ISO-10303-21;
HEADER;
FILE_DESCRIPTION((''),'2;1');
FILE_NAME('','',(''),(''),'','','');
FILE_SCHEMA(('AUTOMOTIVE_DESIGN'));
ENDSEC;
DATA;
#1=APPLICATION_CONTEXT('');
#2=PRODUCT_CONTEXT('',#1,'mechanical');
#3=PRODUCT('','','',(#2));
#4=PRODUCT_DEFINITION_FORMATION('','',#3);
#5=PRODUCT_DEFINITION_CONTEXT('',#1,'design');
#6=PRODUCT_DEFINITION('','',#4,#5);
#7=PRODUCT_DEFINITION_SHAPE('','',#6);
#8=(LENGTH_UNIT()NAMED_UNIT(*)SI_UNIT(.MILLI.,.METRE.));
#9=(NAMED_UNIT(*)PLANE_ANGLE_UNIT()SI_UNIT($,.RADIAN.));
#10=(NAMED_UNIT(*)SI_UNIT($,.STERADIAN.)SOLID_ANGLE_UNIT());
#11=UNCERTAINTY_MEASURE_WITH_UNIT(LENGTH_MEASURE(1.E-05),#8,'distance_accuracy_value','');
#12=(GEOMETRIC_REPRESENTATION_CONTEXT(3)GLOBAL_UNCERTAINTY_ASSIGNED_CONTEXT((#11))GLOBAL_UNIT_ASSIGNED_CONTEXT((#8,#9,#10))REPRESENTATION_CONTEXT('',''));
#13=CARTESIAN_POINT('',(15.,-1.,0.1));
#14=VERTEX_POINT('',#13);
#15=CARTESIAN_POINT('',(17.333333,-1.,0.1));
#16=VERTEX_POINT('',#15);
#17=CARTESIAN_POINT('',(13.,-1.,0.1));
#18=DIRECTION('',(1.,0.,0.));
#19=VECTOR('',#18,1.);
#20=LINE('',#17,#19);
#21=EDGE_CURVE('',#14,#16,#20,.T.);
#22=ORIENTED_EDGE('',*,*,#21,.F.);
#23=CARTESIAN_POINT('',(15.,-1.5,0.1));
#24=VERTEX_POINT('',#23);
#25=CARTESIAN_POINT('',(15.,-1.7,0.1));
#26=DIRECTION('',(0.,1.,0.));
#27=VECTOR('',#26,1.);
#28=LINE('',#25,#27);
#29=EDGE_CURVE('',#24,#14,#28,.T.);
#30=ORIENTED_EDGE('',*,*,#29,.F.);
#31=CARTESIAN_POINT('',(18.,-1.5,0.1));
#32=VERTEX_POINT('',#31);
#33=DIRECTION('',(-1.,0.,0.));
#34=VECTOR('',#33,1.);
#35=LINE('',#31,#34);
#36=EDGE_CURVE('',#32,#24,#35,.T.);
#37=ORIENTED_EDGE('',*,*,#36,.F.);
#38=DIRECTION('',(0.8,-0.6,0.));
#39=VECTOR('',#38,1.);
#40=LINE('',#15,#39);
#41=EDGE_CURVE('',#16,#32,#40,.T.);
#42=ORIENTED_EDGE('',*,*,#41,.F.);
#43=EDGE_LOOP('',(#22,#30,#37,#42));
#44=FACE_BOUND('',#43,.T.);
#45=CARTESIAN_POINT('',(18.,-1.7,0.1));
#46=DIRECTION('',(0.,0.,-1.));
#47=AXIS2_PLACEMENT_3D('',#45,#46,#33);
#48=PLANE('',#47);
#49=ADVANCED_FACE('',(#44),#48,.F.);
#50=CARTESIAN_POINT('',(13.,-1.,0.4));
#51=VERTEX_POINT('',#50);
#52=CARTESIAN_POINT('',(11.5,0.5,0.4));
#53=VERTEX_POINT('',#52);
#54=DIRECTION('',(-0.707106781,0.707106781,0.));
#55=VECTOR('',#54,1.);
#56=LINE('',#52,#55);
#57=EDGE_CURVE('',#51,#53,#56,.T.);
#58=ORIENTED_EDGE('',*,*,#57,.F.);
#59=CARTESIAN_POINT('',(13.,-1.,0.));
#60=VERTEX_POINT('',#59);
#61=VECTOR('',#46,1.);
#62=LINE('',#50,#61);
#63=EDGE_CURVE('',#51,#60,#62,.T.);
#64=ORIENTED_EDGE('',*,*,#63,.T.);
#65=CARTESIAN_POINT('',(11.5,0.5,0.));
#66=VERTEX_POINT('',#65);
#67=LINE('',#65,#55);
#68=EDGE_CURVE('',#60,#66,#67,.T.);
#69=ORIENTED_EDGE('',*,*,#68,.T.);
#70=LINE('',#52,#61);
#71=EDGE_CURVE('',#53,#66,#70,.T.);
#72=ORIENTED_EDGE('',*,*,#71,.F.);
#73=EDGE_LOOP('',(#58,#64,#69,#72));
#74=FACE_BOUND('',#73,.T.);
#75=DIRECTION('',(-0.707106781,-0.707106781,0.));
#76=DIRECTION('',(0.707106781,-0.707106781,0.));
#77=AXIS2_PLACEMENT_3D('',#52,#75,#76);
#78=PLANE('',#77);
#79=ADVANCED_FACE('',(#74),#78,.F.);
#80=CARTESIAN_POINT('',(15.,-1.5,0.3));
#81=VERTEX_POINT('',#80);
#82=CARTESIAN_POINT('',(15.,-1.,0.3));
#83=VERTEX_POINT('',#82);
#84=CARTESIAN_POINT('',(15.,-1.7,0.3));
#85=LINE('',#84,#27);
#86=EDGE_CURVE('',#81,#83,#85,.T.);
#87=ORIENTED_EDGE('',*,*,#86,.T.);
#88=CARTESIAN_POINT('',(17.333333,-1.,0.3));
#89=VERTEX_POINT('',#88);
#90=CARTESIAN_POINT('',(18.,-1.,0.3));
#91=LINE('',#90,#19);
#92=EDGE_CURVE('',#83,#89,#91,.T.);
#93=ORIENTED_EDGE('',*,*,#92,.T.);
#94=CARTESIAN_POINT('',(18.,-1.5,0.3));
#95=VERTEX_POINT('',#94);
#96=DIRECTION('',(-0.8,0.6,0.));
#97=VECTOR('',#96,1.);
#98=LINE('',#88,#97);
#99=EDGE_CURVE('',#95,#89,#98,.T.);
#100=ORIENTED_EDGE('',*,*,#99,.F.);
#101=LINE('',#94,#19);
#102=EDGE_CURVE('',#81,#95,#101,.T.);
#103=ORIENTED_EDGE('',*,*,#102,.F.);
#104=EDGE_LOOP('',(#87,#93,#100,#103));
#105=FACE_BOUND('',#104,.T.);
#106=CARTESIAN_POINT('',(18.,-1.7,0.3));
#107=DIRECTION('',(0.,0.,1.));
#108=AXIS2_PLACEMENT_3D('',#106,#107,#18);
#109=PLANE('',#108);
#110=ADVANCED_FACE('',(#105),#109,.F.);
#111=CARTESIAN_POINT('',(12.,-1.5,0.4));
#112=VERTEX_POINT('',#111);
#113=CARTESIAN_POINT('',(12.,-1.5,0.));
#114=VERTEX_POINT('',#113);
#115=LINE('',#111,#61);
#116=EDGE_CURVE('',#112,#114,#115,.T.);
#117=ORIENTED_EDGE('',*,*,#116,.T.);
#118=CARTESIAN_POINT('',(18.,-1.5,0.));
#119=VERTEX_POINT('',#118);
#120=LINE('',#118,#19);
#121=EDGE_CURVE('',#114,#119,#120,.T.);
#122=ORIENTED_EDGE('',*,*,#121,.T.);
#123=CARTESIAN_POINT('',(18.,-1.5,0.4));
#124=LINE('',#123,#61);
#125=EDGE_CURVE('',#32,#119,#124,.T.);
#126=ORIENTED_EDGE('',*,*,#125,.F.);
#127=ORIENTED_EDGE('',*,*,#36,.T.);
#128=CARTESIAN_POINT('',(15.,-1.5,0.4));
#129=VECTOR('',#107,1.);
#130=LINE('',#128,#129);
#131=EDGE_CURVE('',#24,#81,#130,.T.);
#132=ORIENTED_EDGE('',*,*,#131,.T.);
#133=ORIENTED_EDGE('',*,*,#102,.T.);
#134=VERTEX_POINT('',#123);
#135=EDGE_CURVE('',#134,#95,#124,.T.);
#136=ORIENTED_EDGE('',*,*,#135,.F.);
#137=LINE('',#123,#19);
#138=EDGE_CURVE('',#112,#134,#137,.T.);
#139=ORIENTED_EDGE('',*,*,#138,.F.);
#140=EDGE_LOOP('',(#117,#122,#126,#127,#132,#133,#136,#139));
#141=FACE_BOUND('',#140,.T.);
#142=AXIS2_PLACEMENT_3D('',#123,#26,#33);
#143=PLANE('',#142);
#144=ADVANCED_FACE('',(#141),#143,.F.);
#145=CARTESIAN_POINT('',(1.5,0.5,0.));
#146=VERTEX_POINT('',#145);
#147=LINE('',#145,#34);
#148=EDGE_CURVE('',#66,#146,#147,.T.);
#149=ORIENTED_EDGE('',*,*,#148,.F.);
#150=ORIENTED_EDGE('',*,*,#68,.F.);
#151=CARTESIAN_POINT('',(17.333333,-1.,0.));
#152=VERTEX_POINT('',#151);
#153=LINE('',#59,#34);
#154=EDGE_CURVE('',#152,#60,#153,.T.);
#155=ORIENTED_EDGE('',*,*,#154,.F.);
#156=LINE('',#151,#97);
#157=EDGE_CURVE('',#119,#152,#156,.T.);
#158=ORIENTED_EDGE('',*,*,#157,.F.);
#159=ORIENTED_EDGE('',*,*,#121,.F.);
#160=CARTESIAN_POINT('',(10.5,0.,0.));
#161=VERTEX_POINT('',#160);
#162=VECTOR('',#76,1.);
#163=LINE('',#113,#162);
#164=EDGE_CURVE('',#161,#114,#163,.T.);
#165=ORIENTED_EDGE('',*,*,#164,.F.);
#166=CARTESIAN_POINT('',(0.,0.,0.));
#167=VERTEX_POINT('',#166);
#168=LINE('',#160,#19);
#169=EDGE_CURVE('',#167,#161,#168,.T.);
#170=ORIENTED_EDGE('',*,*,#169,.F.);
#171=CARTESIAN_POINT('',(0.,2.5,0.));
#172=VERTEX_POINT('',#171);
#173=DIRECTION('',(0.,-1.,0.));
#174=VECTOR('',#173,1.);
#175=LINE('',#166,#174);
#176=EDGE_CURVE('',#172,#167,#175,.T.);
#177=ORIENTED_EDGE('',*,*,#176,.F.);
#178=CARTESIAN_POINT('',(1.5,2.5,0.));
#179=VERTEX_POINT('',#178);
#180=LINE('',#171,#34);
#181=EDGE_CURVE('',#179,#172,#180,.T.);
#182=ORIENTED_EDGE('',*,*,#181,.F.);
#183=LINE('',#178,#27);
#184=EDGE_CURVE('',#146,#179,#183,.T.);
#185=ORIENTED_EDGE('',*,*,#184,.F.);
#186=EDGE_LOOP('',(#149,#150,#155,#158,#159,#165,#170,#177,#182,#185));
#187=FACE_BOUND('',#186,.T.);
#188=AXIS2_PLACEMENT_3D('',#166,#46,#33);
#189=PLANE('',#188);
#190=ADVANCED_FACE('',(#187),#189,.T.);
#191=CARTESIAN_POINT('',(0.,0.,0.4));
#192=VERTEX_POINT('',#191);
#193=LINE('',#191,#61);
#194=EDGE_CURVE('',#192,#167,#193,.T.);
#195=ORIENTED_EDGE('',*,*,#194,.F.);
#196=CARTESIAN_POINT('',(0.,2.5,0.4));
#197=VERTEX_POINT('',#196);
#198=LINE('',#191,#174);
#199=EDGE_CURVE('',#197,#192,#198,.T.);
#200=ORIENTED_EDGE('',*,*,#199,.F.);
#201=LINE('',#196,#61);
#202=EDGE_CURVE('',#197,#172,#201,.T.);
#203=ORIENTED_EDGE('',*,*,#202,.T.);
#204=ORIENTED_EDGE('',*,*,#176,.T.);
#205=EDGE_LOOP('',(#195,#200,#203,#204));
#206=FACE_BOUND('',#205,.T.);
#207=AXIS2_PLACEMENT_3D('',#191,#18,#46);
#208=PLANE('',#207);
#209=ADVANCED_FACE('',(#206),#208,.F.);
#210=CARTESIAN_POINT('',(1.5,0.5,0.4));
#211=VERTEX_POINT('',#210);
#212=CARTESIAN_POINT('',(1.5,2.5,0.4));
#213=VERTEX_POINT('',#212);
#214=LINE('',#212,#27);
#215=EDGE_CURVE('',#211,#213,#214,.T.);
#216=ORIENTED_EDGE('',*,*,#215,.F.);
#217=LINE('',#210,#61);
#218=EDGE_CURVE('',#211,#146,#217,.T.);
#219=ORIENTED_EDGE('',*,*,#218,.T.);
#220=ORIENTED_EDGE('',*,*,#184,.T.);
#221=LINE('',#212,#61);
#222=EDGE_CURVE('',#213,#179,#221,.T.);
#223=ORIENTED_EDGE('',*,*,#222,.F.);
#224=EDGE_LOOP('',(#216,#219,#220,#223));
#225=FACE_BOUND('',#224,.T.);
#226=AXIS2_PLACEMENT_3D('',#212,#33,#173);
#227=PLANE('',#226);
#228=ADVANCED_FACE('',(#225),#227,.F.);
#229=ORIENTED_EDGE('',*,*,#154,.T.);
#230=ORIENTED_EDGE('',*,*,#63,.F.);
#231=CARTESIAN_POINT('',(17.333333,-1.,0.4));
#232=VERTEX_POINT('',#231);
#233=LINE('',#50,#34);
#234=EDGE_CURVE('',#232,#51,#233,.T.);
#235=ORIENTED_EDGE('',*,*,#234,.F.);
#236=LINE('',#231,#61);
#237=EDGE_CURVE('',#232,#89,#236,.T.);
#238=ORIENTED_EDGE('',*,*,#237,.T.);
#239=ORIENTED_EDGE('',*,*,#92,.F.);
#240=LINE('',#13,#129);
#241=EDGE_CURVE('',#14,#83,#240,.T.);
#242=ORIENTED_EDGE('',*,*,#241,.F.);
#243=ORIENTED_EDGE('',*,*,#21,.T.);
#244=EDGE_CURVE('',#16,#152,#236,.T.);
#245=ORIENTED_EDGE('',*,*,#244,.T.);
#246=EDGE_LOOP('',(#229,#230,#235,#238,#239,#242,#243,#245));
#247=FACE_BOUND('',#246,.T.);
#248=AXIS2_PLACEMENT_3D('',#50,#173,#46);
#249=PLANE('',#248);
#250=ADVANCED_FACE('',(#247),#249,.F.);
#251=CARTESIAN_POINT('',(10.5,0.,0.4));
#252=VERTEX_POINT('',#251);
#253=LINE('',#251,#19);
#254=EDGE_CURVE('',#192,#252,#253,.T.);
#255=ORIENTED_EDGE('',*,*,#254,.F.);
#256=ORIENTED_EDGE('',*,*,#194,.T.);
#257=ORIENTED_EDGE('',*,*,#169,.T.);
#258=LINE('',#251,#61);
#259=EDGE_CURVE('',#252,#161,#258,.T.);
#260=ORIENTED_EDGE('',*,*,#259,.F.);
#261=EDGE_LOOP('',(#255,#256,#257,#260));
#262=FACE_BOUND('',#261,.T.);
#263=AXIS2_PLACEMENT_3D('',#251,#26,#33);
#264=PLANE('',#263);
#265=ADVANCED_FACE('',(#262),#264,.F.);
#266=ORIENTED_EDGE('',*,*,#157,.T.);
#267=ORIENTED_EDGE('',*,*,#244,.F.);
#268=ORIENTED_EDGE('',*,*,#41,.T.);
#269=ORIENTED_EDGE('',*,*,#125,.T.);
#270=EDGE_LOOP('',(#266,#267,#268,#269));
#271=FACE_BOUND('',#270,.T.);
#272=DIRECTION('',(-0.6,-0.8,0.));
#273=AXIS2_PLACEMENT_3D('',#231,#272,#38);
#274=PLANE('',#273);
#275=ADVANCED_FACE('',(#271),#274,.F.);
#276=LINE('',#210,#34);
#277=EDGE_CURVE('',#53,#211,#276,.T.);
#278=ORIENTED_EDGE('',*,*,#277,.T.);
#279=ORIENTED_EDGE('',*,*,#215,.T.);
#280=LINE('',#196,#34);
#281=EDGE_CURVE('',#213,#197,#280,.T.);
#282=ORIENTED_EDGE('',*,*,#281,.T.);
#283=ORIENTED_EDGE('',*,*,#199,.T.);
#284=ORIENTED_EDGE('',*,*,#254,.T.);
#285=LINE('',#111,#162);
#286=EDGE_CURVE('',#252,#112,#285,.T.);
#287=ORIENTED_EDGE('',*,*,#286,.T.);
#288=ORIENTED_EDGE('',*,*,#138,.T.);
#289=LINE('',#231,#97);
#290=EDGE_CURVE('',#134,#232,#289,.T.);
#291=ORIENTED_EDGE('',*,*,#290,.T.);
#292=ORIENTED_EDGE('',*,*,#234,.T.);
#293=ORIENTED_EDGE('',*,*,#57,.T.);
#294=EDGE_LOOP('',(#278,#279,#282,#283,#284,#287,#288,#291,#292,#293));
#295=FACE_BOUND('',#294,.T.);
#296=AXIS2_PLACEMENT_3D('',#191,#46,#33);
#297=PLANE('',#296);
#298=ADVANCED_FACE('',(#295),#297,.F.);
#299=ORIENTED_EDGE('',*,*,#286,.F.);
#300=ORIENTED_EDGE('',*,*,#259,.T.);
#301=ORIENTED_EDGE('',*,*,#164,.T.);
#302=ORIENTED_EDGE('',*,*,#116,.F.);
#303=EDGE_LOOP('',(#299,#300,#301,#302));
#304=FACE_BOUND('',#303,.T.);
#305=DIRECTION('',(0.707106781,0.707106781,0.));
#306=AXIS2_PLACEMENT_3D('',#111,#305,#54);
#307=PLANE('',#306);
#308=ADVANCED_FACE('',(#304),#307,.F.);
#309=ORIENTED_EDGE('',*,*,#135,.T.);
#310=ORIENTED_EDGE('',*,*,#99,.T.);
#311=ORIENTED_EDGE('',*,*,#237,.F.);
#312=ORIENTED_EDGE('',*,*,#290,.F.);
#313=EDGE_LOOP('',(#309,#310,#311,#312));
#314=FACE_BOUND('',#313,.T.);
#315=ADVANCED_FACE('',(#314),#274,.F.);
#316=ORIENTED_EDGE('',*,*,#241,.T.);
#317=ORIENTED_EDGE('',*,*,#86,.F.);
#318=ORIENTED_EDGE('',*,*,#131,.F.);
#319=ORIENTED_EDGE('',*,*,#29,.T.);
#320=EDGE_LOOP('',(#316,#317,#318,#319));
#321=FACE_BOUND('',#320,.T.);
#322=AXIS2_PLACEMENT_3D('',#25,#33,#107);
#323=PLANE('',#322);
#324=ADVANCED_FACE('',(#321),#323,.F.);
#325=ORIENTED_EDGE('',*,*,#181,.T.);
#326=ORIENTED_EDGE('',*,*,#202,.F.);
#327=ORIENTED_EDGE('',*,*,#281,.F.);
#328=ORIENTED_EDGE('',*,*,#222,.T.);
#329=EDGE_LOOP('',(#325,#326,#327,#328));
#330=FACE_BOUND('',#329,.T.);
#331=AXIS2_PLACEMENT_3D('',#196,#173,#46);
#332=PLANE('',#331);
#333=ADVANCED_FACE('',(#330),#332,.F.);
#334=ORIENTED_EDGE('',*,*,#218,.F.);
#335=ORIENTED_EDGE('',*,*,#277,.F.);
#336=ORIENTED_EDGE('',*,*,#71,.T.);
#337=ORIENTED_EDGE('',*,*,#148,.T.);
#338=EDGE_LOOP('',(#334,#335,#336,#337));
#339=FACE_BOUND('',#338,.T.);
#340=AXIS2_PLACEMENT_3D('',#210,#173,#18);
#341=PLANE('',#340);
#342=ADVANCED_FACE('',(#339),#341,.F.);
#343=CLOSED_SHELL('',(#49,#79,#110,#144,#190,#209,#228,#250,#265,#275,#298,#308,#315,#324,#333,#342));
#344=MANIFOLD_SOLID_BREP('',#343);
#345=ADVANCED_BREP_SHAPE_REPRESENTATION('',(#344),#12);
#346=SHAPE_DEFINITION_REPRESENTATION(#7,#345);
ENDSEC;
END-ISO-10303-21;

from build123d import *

# Parameters (mm, degrees)
BOSS_EXTRUDE1_DEPTH = 0.4
SKETCH5_W           = 3
SKETCH5_H           = 0.2
CUT_EXTRUDE1_DEPTH  = 0.7


with BuildPart() as part:
    # Sketch3 → Boss-Extrude1 (new body)
    with BuildSketch(Plane.XY):
        Polygon((0, 0), (0, 2.5), (1.5, 2.5), (1.5, 0.5), (11.5, 0.5), (13, -1), (17.333333334, -1), (18, -1.5), (12, -1.5), (10.5, 0), align=None)
    extrude(amount=BOSS_EXTRUDE1_DEPTH)

    # Sketch5 → Cut-Extrude1 (cut)
    with BuildSketch(Plane(origin=(0, -1, 0), x_dir=(1, 0, 0), z_dir=(0, 1, 0))):
        with Locations((16.5, -0.2)):
            Rectangle(SKETCH5_W, SKETCH5_H)
    extrude(amount=-CUT_EXTRUDE1_DEPTH, mode=Mode.SUBTRACT)


solid = part.part
